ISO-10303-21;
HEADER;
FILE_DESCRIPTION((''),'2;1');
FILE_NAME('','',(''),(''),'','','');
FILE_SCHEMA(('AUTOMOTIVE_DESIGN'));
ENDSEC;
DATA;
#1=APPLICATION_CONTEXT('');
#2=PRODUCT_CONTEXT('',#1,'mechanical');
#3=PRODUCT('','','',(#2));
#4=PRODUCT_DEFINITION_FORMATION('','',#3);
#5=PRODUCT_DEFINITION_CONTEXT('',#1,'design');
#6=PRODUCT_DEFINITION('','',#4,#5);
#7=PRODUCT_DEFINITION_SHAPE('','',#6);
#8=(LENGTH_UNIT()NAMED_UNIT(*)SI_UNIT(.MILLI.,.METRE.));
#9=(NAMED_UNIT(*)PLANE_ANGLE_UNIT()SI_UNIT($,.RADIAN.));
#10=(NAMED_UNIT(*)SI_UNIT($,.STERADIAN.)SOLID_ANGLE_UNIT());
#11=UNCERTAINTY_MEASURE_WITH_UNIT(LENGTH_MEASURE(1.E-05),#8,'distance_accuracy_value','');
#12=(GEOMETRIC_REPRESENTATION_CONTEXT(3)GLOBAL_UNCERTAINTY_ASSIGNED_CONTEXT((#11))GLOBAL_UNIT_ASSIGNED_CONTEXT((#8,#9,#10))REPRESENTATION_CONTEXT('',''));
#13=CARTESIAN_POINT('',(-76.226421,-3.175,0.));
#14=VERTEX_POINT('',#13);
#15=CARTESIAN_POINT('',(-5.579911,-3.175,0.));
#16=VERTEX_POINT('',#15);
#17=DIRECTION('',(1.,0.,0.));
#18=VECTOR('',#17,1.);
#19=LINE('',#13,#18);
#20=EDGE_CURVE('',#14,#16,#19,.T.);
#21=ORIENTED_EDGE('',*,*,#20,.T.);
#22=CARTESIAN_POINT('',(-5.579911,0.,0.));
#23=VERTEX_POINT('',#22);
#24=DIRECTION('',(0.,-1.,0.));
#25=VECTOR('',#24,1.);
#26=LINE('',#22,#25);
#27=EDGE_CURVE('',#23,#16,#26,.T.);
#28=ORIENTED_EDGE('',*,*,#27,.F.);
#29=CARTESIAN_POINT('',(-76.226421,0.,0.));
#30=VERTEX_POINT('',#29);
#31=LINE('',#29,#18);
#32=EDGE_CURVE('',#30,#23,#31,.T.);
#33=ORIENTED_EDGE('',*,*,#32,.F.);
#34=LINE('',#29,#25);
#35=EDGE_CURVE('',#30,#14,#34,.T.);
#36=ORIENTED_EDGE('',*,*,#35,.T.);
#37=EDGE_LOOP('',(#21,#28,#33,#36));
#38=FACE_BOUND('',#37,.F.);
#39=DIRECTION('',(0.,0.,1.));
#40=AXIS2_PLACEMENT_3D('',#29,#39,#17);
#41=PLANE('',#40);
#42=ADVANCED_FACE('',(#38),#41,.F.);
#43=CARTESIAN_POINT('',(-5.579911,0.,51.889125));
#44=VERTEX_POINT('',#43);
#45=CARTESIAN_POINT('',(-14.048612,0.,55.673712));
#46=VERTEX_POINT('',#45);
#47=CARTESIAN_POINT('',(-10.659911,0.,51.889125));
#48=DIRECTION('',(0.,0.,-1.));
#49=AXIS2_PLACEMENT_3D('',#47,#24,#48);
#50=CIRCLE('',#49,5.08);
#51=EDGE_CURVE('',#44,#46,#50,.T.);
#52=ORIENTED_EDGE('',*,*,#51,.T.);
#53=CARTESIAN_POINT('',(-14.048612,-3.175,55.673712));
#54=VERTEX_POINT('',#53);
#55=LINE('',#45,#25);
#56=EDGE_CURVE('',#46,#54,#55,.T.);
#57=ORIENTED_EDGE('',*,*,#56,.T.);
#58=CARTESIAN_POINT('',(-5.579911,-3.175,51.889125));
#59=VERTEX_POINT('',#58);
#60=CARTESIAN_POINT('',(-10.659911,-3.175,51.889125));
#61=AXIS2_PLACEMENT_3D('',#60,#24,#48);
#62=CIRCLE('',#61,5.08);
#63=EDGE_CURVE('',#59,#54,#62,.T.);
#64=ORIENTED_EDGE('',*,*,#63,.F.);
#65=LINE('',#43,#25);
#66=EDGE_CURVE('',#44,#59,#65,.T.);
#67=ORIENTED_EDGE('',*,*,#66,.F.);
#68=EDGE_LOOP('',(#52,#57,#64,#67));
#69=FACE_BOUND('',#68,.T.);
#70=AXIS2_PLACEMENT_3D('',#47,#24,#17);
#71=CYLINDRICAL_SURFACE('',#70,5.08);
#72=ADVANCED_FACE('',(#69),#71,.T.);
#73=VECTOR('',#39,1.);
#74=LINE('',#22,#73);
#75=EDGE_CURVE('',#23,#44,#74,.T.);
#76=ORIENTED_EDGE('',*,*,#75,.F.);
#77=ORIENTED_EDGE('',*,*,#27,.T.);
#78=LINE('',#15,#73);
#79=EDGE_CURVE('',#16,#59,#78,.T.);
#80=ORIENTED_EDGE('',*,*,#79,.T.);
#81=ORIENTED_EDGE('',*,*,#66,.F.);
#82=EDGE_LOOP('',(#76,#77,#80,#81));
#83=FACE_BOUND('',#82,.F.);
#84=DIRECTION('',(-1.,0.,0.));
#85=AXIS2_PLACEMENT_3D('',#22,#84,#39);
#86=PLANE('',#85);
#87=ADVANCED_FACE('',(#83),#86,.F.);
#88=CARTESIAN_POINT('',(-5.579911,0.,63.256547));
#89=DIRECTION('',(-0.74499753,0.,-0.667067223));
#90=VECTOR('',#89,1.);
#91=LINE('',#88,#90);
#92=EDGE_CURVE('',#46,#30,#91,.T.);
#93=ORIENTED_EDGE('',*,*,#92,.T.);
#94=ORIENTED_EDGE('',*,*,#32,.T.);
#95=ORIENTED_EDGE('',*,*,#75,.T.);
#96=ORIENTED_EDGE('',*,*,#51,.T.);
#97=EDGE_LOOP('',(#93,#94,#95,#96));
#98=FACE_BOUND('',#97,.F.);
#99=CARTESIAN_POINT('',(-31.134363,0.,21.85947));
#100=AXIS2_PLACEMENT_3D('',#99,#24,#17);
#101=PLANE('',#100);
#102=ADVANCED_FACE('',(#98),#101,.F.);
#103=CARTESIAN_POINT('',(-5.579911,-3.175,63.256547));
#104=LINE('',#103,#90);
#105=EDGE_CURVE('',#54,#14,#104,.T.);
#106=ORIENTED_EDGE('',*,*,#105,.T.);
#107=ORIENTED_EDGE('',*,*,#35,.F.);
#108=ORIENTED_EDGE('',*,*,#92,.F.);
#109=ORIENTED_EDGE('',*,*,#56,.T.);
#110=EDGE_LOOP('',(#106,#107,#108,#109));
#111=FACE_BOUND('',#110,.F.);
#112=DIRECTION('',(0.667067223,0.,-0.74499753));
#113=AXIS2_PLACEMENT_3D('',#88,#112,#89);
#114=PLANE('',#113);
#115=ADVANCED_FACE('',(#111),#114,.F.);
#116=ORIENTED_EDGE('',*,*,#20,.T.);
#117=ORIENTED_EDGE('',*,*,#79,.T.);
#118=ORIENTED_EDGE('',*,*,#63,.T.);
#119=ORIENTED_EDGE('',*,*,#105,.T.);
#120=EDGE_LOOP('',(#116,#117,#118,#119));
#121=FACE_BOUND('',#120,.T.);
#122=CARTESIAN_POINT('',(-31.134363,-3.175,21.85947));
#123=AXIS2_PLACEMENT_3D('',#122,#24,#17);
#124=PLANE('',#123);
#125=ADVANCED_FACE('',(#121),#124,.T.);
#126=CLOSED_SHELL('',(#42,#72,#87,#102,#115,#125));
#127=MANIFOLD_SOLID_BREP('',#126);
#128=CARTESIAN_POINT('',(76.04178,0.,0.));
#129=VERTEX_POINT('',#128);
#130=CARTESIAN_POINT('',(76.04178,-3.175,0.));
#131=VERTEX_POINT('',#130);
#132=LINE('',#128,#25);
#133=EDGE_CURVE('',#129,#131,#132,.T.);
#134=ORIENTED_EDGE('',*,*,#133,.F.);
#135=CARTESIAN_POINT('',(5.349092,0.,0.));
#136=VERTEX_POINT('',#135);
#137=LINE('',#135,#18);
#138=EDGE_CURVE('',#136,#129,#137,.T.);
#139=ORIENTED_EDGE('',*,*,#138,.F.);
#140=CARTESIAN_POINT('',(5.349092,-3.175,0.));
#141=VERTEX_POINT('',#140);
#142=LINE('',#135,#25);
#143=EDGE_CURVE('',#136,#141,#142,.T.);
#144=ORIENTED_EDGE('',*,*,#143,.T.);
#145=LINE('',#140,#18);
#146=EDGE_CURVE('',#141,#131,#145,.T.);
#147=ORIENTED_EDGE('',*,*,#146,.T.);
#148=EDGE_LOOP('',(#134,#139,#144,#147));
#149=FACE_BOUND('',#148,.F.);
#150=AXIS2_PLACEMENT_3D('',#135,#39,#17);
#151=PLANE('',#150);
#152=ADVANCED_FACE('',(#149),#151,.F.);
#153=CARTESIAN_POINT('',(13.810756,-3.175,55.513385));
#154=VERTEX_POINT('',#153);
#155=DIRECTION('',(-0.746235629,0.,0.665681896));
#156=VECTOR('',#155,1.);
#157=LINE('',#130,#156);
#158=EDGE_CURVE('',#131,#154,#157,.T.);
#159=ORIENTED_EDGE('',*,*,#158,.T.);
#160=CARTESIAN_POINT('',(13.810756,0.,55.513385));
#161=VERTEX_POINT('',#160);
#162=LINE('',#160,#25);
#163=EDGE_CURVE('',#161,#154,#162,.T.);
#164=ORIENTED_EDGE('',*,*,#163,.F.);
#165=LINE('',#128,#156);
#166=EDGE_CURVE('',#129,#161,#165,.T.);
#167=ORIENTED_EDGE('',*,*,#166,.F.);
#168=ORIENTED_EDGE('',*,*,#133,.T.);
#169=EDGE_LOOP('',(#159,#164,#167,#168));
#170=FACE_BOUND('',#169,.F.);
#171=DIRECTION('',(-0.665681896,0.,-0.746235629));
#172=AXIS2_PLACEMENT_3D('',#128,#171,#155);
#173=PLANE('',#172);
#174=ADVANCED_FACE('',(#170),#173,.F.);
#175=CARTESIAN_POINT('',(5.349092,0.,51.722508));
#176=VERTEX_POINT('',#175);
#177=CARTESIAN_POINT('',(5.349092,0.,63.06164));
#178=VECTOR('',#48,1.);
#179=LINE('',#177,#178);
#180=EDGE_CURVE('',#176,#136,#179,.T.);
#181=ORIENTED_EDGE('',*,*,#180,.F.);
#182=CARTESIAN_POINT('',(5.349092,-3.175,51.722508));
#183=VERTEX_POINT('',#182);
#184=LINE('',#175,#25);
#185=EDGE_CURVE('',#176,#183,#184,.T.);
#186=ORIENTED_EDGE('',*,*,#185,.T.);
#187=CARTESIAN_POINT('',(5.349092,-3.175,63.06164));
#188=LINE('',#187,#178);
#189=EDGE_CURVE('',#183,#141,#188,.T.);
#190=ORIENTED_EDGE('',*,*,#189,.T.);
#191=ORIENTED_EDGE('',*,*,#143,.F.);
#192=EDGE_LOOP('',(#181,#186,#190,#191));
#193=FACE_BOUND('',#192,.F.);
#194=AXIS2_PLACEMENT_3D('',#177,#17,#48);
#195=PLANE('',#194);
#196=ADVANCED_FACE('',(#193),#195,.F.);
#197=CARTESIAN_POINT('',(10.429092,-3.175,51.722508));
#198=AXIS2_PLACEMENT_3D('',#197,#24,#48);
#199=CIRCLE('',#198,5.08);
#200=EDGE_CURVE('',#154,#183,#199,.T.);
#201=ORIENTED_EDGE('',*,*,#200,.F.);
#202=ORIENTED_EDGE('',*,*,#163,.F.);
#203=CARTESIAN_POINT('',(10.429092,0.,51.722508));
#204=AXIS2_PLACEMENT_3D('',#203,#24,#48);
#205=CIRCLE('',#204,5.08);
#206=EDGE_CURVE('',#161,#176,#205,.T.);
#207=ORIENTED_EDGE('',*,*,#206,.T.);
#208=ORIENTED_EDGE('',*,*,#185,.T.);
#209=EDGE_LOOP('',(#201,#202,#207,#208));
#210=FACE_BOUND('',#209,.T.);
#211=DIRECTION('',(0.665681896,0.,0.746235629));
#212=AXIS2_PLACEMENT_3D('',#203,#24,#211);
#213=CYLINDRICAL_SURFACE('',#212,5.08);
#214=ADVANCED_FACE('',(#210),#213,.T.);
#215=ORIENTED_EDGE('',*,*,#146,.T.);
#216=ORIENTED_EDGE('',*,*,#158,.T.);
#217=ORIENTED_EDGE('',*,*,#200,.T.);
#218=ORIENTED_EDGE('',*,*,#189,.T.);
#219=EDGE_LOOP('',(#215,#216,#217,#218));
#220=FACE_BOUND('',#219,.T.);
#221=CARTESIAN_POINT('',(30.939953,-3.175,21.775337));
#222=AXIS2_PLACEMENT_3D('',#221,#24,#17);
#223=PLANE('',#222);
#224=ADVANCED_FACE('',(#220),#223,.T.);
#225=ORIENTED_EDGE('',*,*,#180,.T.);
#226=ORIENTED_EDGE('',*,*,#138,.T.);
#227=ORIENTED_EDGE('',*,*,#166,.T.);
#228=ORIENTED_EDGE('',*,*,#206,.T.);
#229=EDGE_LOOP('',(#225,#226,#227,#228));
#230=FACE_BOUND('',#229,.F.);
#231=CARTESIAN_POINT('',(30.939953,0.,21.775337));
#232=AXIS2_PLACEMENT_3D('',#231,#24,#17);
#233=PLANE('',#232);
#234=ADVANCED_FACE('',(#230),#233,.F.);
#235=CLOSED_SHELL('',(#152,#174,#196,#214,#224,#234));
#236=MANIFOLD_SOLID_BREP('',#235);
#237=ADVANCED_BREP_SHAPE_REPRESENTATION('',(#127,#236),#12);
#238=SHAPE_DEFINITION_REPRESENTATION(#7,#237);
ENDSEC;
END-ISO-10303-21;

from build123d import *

# Parameters (mm, degrees)
F1_DEPTH = 3.175
F2_R     = 5.08


with BuildPart() as f1:
    # F0 (on Front) → F1 (new body)
    with BuildSketch(Plane.XZ):
        Polygon((-5.579911, 0), (-5.579911, 63.256547), (-76.226421, 0), align=None)
        Polygon((76.04178, 0), (5.349092, 63.06164), (5.349092, 0), align=None)
    extrude(amount=F1_DEPTH)

    # F2
    f2_edges = [f1.edges().sort_by_distance(p)[0] for p in [
        (5.349092, -1.5875, 63.06164),
        (-5.579911, -1.5875, 63.256547),
    ]]
    fillet(f2_edges, radius=F2_R)


solid = f1.part
